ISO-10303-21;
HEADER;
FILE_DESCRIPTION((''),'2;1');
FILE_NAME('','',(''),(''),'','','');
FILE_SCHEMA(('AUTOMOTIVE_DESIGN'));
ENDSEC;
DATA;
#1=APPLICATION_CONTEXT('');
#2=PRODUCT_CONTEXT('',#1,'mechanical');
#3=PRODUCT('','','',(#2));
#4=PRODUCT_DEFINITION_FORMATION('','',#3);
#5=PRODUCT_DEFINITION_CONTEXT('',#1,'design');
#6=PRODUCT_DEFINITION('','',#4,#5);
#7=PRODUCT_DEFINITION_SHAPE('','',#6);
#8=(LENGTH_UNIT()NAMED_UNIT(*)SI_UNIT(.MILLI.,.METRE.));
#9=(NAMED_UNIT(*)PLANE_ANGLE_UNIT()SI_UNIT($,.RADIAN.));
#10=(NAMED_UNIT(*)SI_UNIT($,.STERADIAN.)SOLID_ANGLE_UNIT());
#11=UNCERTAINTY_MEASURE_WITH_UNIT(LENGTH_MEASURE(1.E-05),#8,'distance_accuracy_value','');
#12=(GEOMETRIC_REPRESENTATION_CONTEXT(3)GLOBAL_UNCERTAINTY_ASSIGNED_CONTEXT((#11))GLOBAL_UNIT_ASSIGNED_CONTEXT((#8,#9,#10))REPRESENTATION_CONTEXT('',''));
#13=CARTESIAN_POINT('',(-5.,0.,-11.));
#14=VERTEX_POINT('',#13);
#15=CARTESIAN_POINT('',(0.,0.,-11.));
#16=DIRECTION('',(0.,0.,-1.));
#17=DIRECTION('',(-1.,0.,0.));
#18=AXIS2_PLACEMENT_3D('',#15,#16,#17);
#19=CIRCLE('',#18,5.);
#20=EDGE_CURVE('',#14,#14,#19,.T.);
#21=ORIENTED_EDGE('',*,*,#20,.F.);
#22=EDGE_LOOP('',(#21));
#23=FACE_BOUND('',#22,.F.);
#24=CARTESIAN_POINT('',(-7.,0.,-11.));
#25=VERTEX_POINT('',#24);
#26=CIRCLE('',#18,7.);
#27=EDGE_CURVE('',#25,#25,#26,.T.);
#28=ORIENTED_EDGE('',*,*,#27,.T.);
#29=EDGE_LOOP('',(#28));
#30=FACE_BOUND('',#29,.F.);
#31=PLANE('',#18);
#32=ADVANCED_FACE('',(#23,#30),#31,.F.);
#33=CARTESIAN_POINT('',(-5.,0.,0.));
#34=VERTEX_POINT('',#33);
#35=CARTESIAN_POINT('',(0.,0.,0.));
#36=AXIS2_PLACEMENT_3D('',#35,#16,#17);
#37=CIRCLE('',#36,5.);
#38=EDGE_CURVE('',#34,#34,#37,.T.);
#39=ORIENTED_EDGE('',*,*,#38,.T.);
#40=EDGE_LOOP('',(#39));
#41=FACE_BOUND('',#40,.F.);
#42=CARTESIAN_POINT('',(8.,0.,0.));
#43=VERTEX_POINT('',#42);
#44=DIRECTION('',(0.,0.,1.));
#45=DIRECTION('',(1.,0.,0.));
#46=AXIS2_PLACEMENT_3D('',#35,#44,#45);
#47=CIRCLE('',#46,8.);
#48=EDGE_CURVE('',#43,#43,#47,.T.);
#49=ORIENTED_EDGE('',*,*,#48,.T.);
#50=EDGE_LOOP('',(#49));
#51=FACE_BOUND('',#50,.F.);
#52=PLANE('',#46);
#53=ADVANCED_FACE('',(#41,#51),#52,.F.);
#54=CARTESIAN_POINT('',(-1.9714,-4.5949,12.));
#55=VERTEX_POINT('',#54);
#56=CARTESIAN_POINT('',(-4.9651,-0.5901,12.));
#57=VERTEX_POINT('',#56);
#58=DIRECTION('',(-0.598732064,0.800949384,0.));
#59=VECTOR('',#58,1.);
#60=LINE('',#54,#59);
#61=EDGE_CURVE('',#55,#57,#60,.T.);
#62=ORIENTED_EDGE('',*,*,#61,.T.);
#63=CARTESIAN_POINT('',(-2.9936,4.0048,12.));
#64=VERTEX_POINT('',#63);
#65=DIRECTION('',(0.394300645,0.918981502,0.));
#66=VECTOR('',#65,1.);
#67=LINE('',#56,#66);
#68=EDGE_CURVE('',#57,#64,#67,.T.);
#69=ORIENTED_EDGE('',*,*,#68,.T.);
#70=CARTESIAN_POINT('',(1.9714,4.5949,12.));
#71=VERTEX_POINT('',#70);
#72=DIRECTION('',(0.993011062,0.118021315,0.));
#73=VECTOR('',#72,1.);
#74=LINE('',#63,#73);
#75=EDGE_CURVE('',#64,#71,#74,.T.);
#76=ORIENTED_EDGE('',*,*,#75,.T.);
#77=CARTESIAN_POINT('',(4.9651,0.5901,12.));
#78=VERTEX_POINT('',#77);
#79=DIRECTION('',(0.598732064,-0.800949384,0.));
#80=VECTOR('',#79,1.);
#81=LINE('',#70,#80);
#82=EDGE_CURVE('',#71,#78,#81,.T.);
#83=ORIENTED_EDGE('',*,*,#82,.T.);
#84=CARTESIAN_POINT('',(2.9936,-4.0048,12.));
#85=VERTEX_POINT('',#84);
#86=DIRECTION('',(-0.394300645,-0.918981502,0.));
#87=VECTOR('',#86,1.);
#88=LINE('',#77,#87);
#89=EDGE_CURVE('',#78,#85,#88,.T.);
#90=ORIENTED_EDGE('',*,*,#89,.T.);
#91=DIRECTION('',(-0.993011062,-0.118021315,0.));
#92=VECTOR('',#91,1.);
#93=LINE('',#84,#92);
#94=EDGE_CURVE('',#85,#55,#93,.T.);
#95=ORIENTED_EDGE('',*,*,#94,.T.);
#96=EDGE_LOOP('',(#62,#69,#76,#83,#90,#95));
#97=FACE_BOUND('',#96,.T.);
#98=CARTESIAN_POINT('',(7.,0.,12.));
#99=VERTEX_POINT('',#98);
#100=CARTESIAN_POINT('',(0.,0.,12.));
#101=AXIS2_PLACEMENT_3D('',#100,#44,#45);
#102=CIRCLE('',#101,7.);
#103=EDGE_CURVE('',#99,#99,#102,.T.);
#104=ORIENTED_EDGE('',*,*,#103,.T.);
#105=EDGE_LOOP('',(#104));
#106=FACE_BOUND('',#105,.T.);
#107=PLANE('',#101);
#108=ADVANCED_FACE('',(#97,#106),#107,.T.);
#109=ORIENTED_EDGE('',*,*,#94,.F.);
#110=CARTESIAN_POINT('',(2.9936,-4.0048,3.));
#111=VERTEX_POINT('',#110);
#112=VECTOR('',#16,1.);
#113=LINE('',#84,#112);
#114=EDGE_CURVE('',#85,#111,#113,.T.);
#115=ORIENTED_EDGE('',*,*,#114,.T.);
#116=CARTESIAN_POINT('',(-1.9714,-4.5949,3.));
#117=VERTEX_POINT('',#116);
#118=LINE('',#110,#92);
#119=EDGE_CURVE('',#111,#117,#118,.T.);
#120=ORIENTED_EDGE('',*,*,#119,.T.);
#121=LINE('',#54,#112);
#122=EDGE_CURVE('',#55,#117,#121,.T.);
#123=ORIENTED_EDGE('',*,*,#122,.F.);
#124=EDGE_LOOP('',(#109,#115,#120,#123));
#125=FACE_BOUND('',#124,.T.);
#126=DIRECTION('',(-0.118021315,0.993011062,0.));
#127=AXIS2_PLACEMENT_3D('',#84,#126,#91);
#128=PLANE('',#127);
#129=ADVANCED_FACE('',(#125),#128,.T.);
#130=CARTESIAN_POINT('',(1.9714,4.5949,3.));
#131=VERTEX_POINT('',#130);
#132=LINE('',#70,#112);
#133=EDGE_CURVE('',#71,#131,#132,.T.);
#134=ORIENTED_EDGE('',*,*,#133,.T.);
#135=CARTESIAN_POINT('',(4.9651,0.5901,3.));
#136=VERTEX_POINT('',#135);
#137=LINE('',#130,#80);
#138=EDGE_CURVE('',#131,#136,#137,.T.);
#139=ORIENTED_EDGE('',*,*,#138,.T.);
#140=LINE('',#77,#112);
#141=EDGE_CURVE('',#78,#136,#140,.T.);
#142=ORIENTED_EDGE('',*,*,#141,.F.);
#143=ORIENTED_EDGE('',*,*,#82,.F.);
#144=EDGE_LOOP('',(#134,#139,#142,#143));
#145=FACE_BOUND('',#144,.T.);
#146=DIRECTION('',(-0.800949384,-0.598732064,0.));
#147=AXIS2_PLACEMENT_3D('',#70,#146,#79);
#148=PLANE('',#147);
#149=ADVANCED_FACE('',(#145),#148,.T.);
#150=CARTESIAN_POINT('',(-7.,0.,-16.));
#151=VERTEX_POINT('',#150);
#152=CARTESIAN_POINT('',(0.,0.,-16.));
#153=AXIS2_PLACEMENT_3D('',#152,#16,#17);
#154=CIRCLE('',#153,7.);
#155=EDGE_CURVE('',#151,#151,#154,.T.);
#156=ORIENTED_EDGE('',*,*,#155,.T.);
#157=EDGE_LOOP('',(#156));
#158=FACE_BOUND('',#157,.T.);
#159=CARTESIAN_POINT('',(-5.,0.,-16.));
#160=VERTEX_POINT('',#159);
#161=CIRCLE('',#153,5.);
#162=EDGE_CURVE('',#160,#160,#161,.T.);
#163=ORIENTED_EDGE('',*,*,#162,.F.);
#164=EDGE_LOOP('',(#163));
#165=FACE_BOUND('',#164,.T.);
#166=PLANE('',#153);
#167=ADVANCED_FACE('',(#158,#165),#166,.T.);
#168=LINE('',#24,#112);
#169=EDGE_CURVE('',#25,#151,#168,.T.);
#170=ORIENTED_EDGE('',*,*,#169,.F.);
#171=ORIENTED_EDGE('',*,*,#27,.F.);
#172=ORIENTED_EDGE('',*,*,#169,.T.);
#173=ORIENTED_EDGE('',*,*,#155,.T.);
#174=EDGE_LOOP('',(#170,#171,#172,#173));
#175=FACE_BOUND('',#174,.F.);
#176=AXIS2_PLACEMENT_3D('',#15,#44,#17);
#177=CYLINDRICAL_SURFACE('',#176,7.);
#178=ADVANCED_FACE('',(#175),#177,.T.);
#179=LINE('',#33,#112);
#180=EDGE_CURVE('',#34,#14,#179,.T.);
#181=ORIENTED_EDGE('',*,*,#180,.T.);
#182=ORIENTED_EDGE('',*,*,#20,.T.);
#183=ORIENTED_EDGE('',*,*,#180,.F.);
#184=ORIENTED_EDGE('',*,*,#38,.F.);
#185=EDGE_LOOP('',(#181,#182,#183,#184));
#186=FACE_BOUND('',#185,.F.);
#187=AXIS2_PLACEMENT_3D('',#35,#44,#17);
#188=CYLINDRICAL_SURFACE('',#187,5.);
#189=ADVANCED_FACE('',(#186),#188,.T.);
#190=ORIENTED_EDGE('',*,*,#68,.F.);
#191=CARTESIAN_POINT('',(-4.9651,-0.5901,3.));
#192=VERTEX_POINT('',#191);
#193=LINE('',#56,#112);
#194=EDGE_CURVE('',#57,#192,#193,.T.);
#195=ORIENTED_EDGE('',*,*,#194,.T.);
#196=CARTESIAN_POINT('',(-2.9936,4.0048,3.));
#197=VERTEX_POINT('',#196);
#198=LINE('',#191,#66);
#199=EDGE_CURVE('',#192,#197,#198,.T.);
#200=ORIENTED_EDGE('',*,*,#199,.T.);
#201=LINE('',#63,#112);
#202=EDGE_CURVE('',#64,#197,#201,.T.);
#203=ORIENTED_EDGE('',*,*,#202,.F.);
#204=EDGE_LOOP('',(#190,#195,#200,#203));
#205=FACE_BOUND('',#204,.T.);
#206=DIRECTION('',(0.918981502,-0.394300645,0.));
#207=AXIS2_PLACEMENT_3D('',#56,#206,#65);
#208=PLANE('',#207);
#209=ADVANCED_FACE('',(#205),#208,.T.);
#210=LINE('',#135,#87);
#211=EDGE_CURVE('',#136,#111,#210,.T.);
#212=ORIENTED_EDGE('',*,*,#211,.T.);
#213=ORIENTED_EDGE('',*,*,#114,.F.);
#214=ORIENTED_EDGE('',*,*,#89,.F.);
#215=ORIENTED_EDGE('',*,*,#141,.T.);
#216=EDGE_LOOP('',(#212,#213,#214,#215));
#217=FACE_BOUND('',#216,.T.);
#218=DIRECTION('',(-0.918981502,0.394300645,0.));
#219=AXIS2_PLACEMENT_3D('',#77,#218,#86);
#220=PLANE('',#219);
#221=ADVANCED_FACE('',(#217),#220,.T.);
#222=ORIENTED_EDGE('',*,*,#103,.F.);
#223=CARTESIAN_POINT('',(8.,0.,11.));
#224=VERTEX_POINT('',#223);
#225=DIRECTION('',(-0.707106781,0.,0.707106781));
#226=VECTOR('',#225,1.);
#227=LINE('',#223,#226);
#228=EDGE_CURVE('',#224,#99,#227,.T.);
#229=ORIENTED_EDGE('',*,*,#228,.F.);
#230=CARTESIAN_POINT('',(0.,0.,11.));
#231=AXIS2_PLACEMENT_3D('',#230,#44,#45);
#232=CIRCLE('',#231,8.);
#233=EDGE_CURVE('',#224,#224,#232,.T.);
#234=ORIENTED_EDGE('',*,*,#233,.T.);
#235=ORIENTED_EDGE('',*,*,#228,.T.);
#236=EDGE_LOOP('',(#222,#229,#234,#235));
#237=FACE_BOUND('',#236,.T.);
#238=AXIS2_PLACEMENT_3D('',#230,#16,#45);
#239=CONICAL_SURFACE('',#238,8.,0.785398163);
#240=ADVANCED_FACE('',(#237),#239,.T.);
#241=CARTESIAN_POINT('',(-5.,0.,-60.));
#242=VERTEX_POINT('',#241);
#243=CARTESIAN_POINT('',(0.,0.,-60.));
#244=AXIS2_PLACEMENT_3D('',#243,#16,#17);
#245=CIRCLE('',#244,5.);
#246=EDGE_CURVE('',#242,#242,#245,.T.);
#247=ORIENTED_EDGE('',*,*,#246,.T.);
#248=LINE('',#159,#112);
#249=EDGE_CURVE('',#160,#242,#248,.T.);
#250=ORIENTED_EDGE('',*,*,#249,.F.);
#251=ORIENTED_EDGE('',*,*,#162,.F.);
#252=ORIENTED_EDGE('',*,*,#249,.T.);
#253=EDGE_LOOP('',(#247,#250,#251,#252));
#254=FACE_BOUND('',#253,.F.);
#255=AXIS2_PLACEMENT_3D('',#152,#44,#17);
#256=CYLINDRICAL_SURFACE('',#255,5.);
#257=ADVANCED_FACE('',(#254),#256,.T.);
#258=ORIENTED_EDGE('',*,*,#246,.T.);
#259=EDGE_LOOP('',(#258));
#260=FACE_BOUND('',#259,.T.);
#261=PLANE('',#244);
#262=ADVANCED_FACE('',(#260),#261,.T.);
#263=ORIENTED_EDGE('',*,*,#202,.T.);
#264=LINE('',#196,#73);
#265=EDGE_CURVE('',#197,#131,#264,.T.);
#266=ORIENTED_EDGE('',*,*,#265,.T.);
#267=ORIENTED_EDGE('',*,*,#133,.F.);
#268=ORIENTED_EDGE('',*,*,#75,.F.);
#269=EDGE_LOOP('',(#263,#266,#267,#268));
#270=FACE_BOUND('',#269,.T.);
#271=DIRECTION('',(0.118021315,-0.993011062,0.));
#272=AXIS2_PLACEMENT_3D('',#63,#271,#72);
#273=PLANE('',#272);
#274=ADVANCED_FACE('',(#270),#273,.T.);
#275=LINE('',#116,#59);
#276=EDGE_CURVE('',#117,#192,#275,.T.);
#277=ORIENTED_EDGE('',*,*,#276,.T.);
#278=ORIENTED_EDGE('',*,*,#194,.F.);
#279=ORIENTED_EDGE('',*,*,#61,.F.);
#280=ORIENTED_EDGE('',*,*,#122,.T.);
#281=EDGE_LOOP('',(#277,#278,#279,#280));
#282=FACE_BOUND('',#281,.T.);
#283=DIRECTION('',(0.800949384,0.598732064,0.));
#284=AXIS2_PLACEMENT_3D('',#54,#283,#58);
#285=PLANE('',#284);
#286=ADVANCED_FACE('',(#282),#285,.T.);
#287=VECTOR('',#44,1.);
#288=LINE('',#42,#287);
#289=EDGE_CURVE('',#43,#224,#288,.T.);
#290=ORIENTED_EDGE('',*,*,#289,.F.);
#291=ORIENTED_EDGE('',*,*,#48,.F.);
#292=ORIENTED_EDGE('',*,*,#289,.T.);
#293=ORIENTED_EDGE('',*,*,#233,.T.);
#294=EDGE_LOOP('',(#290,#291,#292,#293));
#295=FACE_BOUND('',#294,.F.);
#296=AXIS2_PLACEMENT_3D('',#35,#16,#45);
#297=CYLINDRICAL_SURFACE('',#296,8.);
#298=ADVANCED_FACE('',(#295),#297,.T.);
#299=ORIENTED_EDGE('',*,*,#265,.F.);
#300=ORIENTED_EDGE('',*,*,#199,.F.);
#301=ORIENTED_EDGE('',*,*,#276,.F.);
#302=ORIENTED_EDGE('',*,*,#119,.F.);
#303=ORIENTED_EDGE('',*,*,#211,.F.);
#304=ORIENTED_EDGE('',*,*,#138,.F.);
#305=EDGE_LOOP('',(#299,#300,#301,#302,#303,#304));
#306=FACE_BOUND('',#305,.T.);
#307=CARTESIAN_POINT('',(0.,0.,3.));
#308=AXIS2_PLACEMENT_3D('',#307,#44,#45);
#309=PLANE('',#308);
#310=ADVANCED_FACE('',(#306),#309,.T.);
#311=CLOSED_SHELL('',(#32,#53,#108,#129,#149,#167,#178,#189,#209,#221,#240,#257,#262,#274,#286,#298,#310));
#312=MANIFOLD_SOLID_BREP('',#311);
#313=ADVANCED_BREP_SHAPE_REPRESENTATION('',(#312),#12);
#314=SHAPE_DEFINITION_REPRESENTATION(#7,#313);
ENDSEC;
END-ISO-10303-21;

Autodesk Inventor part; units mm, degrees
ref_plane "YZ Plane" through (0, 0, 0) normal (1, 0, 0) x (0, 1, 0)
ref_plane "XZ Plane" through (0, 0, 0) normal (0, 1, 0) x (-1, 0, 0)
ref_plane "XY Plane" through (0, 0, 0) normal (0, 0, 1) x (1, 0, 0)
sketch "Sketch1" plane through (0, 0, 0) normal (0, 0, 1) x (1, 0, 0)
  circle A0 centre (0, 0) radius 8
  dimension "d0" = 16
extrude "Extrusion1" add sketch "Sketch1" along normal blind 12
sketch "Sketch2" plane through (0, 0, 12) normal (0, 0, 1) x (1, 0, 0)
  circle A0 centre (0, 0) radius 5
  line L0 (1.9714, 4.5949) -> (4.9651, 0.5901)
  line L1 (4.9651, 0.5901) -> (2.9936, -4.0048)
  line L2 (2.9936, -4.0048) -> (-1.9714, -4.5949)
  line L3 (-1.9714, -4.5949) -> (-4.9651, -0.5901)
  line L4 (-4.9651, -0.5901) -> (-2.9936, 4.0048)
  line L5 (-2.9936, 4.0048) -> (1.9714, 4.5949)
  dimension "d3" = 10
extrude "Extrusion2" cut sketch "Sketch2" against normal blind 9 contours L1 L2 L3 L4 L5 L0
sketch "Sketch3" plane through (0, 0, 0) normal (0, 0, -1) x (-1, 0, 0)
  circle A0 centre (0, 0) radius 5
  dimension "d6" = 10
extrude "Extrusion3" add sketch "Sketch3" along normal blind 11
sketch "Sketch4" plane through (0, 0, -11) normal (0, 0, -1) x (-1, 0, 0)
  circle A0 centre (0, 0) radius 7
  dimension "d9" = 14
extrude "Extrusion4" add sketch "Sketch4" along normal blind 5
sketch "Sketch5" plane through (0, 0, -16) normal (0, 0, -1) x (-1, 0, 0)
  circle A0 centre (0, 0) radius 5
  dimension "d12" = 10
extrude "Extrusion5" add sketch "Sketch5" along normal blind 44
thread "Thread1" size "M10x1.5" class "6g" standard "ANSI Metric M Profile" full length
chamfer "Chamfer1" distance 1 angle 45 1 edges at (-8, 0, 12)
equation "\"BendRadius\" = Thickness"
equation "\"BendReliefWidth\" = Thickness"
equation "\"BendReliefDepth\" = 0.5 * Thickness"
equation "\"CornerReliefSize\" = 4 * Thickness"
equation "\"MinimumRemnant\" = 2 * Thickness"
equation "\"TransitionRadius\" = BendRadius"
equation "\"JacobiRadiusSize\" = BendRadius"
equation "\"GapSize\" = Thickness"
equation "\"Thickness\" = 0.5"
properties part number "Adjusting Screw"
